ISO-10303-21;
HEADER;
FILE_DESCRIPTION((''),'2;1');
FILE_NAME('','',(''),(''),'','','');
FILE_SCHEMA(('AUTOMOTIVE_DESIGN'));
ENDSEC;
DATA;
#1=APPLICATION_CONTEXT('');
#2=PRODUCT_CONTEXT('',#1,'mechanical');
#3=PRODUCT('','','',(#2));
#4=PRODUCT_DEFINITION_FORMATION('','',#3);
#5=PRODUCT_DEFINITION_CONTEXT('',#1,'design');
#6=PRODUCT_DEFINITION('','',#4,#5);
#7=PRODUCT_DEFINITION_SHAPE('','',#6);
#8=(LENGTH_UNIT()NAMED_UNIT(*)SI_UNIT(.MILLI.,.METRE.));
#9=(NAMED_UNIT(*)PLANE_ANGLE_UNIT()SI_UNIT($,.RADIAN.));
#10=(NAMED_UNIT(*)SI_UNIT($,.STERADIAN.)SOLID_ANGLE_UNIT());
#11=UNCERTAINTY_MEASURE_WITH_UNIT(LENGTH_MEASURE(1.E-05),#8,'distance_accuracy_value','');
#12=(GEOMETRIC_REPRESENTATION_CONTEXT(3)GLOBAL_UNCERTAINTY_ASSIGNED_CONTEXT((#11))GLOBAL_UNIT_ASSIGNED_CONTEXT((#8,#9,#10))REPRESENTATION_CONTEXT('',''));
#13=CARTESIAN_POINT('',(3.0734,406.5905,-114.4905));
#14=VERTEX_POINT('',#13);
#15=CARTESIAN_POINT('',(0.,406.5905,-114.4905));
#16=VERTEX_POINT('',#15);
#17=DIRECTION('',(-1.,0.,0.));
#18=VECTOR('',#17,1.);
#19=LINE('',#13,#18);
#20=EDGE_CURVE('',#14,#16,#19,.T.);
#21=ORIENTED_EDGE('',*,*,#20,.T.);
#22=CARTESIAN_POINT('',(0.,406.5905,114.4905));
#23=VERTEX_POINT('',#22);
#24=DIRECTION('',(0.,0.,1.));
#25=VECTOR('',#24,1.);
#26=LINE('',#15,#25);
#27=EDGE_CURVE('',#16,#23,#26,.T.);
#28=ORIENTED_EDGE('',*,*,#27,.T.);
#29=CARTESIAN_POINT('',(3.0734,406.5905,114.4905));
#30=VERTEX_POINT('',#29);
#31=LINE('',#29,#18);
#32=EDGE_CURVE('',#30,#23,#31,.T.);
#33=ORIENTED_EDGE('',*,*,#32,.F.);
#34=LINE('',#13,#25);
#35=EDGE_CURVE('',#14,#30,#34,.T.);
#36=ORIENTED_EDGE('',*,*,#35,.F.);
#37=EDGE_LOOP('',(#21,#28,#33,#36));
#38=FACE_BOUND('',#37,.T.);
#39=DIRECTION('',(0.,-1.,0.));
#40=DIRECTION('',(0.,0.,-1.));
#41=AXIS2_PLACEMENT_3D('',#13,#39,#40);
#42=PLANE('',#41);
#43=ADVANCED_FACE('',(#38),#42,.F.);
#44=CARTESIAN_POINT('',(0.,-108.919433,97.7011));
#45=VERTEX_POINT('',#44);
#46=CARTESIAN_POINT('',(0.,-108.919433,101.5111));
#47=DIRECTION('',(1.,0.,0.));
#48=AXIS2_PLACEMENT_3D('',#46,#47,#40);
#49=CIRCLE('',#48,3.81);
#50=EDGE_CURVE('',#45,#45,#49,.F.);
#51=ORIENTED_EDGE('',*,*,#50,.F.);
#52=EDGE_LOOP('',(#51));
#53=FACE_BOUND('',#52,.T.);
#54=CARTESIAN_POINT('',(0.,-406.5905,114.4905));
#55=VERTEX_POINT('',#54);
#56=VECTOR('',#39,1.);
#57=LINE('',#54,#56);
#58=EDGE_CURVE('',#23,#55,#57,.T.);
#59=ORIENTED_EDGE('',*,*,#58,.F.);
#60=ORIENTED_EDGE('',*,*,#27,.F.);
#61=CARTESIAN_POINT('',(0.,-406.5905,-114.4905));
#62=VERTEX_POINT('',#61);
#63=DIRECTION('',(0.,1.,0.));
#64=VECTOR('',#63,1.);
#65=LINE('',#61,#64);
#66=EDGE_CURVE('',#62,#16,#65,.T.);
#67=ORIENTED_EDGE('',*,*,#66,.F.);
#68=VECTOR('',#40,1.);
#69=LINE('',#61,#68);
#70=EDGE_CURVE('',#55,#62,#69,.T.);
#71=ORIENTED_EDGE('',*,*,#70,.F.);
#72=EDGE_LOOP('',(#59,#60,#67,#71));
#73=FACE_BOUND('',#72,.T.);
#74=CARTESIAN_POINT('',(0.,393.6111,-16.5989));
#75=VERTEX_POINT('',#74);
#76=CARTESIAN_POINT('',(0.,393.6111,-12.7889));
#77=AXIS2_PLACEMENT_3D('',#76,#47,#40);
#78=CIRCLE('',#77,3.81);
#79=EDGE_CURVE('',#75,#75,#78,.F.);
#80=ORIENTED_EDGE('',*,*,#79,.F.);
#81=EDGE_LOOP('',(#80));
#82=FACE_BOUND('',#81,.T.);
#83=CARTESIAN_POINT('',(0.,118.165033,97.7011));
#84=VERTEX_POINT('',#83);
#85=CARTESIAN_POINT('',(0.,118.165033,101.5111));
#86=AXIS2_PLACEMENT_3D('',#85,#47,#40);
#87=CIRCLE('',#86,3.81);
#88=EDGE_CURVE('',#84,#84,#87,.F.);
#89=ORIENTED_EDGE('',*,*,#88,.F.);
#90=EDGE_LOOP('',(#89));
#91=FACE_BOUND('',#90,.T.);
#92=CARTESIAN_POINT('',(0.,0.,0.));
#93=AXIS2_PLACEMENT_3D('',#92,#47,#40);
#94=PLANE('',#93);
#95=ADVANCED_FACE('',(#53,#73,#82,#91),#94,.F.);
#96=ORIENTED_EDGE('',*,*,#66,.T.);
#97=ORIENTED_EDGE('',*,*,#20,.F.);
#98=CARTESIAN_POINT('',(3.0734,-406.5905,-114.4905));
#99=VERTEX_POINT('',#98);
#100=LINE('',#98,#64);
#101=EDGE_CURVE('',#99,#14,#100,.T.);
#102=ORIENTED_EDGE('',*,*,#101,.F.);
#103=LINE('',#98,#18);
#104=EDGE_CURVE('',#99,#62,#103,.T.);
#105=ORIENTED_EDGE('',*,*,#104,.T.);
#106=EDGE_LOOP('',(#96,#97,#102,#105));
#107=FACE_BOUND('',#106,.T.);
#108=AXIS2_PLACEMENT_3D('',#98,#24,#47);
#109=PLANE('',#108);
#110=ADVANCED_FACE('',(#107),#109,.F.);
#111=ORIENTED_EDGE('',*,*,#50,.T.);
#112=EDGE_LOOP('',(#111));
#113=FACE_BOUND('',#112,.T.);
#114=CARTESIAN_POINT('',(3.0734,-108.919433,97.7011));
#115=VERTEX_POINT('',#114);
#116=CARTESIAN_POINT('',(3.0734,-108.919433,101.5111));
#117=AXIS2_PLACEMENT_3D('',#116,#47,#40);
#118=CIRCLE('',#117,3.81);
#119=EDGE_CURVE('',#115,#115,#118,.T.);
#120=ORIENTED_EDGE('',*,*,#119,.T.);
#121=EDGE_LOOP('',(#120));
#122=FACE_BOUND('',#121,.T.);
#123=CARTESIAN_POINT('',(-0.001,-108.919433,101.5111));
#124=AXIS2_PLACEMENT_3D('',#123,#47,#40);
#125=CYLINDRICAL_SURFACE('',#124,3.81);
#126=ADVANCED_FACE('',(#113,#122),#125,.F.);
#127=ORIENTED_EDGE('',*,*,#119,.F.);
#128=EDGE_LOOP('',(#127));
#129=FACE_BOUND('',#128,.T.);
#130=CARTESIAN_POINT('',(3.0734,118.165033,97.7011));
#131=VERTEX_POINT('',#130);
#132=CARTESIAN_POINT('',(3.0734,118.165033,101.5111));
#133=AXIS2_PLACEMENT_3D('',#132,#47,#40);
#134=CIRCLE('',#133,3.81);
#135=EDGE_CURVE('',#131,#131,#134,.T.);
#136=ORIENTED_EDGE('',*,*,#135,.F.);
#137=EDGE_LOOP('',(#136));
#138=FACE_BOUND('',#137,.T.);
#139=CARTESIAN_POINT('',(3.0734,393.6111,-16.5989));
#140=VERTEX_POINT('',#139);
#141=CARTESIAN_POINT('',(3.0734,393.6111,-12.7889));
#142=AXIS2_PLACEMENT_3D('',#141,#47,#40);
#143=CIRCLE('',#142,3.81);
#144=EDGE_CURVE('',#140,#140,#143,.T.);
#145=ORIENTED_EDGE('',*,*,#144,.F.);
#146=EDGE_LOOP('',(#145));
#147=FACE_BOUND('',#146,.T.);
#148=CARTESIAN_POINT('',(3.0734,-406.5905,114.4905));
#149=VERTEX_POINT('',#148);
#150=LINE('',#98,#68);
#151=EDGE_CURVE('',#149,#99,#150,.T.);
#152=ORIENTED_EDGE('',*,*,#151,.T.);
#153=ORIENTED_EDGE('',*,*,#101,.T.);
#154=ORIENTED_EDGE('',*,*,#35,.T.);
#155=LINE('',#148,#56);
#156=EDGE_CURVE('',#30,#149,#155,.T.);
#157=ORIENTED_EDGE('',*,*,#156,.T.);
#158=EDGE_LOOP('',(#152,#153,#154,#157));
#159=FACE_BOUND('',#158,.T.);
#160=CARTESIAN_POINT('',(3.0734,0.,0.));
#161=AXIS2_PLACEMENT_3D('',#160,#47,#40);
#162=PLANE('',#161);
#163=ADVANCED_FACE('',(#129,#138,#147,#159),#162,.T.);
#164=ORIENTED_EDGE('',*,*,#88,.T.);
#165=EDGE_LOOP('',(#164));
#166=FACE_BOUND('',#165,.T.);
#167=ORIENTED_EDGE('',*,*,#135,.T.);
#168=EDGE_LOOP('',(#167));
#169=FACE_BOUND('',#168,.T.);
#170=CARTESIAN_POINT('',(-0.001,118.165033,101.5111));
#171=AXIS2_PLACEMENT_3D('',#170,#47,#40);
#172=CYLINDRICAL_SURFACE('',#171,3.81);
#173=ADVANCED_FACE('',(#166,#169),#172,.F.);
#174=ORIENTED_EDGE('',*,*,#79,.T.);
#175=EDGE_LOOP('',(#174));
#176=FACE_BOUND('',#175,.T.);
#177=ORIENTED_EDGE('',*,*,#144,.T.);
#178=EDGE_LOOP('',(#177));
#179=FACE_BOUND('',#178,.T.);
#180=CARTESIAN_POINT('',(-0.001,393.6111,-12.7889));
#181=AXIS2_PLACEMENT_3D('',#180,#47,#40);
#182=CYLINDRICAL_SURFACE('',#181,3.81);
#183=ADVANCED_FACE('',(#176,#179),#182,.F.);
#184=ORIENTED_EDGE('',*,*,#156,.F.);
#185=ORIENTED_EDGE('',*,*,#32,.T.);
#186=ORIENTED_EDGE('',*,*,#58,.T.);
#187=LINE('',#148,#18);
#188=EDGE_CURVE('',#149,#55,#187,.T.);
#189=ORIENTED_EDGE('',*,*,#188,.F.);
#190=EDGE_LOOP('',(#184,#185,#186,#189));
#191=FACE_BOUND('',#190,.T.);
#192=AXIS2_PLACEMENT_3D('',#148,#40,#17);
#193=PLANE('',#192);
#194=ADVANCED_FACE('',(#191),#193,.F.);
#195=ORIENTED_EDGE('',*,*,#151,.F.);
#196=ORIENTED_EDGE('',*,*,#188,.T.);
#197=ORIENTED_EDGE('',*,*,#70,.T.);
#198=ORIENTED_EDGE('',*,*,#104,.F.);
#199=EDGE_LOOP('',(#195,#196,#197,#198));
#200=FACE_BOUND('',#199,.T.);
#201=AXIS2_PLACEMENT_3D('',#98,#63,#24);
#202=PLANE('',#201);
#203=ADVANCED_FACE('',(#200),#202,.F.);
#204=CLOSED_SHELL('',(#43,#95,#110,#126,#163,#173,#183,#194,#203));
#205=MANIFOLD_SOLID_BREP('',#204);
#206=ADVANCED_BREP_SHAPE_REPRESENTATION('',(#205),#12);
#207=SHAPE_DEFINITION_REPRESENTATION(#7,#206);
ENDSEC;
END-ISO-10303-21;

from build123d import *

# Parameters (mm, degrees)
SKETCH1_W           = 228.981
SKETCH1_H           = 813.181
BOSS_EXTRUDE1_DEPTH = 3.0734
CUT_EXTRUDE1_REACH  = 5.073
SKETCH2_R           = 3.81


with BuildPart() as part:
    # Sketch1 → Boss-Extrude1 (new body)
    with BuildSketch(Plane(origin=(0, 0, 0), x_dir=(0, 0, -1), z_dir=(1, 0, 0))):
        Rectangle(SKETCH1_W, SKETCH1_H)
    extrude(amount=BOSS_EXTRUDE1_DEPTH)

    # Sketch2 → Cut-Extrude1 (cut, up to next)
    with BuildSketch(Plane(origin=(3.0734, 0, 0), x_dir=(0, 0, -1), z_dir=(1, 0, 0)), mode=Mode.PRIVATE) as cut_extrude1_sk1:
        with Locations((12.7889, 393.6111)):
            Circle(SKETCH2_R)
    cut_extrude1_tool1 = extrude(cut_extrude1_sk1.sketch, amount=-CUT_EXTRUDE1_REACH, mode=Mode.PRIVATE) & part.part
    add(cut_extrude1_tool1.solids().sort_by_distance((3.0734, 393.6111, -12.7889))[0], mode=Mode.SUBTRACT)
    # Sketch2 → Cut-Extrude1 (cut, up to next)
    with BuildSketch(Plane(origin=(3.0734, 0, 0), x_dir=(0, 0, -1), z_dir=(1, 0, 0)), mode=Mode.PRIVATE) as cut_extrude1_sk2:
        with Locations((-101.5111, 118.165033333)):
            Circle(SKETCH2_R)
    cut_extrude1_tool2 = extrude(cut_extrude1_sk2.sketch, amount=-CUT_EXTRUDE1_REACH, mode=Mode.PRIVATE) & part.part
    add(cut_extrude1_tool2.solids().sort_by_distance((3.0734, 118.165033, 101.5111))[0], mode=Mode.SUBTRACT)
    # Sketch2 → Cut-Extrude1 (cut, up to next)
    with BuildSketch(Plane(origin=(3.0734, 0, 0), x_dir=(0, 0, -1), z_dir=(1, 0, 0)), mode=Mode.PRIVATE) as cut_extrude1_sk3:
        with Locations((-101.5111, -108.919433333)):
            Circle(SKETCH2_R)
    cut_extrude1_tool3 = extrude(cut_extrude1_sk3.sketch, amount=-CUT_EXTRUDE1_REACH, mode=Mode.PRIVATE) & part.part
    add(cut_extrude1_tool3.solids().sort_by_distance((3.0734, -108.919433, 101.5111))[0], mode=Mode.SUBTRACT)


solid = part.part
